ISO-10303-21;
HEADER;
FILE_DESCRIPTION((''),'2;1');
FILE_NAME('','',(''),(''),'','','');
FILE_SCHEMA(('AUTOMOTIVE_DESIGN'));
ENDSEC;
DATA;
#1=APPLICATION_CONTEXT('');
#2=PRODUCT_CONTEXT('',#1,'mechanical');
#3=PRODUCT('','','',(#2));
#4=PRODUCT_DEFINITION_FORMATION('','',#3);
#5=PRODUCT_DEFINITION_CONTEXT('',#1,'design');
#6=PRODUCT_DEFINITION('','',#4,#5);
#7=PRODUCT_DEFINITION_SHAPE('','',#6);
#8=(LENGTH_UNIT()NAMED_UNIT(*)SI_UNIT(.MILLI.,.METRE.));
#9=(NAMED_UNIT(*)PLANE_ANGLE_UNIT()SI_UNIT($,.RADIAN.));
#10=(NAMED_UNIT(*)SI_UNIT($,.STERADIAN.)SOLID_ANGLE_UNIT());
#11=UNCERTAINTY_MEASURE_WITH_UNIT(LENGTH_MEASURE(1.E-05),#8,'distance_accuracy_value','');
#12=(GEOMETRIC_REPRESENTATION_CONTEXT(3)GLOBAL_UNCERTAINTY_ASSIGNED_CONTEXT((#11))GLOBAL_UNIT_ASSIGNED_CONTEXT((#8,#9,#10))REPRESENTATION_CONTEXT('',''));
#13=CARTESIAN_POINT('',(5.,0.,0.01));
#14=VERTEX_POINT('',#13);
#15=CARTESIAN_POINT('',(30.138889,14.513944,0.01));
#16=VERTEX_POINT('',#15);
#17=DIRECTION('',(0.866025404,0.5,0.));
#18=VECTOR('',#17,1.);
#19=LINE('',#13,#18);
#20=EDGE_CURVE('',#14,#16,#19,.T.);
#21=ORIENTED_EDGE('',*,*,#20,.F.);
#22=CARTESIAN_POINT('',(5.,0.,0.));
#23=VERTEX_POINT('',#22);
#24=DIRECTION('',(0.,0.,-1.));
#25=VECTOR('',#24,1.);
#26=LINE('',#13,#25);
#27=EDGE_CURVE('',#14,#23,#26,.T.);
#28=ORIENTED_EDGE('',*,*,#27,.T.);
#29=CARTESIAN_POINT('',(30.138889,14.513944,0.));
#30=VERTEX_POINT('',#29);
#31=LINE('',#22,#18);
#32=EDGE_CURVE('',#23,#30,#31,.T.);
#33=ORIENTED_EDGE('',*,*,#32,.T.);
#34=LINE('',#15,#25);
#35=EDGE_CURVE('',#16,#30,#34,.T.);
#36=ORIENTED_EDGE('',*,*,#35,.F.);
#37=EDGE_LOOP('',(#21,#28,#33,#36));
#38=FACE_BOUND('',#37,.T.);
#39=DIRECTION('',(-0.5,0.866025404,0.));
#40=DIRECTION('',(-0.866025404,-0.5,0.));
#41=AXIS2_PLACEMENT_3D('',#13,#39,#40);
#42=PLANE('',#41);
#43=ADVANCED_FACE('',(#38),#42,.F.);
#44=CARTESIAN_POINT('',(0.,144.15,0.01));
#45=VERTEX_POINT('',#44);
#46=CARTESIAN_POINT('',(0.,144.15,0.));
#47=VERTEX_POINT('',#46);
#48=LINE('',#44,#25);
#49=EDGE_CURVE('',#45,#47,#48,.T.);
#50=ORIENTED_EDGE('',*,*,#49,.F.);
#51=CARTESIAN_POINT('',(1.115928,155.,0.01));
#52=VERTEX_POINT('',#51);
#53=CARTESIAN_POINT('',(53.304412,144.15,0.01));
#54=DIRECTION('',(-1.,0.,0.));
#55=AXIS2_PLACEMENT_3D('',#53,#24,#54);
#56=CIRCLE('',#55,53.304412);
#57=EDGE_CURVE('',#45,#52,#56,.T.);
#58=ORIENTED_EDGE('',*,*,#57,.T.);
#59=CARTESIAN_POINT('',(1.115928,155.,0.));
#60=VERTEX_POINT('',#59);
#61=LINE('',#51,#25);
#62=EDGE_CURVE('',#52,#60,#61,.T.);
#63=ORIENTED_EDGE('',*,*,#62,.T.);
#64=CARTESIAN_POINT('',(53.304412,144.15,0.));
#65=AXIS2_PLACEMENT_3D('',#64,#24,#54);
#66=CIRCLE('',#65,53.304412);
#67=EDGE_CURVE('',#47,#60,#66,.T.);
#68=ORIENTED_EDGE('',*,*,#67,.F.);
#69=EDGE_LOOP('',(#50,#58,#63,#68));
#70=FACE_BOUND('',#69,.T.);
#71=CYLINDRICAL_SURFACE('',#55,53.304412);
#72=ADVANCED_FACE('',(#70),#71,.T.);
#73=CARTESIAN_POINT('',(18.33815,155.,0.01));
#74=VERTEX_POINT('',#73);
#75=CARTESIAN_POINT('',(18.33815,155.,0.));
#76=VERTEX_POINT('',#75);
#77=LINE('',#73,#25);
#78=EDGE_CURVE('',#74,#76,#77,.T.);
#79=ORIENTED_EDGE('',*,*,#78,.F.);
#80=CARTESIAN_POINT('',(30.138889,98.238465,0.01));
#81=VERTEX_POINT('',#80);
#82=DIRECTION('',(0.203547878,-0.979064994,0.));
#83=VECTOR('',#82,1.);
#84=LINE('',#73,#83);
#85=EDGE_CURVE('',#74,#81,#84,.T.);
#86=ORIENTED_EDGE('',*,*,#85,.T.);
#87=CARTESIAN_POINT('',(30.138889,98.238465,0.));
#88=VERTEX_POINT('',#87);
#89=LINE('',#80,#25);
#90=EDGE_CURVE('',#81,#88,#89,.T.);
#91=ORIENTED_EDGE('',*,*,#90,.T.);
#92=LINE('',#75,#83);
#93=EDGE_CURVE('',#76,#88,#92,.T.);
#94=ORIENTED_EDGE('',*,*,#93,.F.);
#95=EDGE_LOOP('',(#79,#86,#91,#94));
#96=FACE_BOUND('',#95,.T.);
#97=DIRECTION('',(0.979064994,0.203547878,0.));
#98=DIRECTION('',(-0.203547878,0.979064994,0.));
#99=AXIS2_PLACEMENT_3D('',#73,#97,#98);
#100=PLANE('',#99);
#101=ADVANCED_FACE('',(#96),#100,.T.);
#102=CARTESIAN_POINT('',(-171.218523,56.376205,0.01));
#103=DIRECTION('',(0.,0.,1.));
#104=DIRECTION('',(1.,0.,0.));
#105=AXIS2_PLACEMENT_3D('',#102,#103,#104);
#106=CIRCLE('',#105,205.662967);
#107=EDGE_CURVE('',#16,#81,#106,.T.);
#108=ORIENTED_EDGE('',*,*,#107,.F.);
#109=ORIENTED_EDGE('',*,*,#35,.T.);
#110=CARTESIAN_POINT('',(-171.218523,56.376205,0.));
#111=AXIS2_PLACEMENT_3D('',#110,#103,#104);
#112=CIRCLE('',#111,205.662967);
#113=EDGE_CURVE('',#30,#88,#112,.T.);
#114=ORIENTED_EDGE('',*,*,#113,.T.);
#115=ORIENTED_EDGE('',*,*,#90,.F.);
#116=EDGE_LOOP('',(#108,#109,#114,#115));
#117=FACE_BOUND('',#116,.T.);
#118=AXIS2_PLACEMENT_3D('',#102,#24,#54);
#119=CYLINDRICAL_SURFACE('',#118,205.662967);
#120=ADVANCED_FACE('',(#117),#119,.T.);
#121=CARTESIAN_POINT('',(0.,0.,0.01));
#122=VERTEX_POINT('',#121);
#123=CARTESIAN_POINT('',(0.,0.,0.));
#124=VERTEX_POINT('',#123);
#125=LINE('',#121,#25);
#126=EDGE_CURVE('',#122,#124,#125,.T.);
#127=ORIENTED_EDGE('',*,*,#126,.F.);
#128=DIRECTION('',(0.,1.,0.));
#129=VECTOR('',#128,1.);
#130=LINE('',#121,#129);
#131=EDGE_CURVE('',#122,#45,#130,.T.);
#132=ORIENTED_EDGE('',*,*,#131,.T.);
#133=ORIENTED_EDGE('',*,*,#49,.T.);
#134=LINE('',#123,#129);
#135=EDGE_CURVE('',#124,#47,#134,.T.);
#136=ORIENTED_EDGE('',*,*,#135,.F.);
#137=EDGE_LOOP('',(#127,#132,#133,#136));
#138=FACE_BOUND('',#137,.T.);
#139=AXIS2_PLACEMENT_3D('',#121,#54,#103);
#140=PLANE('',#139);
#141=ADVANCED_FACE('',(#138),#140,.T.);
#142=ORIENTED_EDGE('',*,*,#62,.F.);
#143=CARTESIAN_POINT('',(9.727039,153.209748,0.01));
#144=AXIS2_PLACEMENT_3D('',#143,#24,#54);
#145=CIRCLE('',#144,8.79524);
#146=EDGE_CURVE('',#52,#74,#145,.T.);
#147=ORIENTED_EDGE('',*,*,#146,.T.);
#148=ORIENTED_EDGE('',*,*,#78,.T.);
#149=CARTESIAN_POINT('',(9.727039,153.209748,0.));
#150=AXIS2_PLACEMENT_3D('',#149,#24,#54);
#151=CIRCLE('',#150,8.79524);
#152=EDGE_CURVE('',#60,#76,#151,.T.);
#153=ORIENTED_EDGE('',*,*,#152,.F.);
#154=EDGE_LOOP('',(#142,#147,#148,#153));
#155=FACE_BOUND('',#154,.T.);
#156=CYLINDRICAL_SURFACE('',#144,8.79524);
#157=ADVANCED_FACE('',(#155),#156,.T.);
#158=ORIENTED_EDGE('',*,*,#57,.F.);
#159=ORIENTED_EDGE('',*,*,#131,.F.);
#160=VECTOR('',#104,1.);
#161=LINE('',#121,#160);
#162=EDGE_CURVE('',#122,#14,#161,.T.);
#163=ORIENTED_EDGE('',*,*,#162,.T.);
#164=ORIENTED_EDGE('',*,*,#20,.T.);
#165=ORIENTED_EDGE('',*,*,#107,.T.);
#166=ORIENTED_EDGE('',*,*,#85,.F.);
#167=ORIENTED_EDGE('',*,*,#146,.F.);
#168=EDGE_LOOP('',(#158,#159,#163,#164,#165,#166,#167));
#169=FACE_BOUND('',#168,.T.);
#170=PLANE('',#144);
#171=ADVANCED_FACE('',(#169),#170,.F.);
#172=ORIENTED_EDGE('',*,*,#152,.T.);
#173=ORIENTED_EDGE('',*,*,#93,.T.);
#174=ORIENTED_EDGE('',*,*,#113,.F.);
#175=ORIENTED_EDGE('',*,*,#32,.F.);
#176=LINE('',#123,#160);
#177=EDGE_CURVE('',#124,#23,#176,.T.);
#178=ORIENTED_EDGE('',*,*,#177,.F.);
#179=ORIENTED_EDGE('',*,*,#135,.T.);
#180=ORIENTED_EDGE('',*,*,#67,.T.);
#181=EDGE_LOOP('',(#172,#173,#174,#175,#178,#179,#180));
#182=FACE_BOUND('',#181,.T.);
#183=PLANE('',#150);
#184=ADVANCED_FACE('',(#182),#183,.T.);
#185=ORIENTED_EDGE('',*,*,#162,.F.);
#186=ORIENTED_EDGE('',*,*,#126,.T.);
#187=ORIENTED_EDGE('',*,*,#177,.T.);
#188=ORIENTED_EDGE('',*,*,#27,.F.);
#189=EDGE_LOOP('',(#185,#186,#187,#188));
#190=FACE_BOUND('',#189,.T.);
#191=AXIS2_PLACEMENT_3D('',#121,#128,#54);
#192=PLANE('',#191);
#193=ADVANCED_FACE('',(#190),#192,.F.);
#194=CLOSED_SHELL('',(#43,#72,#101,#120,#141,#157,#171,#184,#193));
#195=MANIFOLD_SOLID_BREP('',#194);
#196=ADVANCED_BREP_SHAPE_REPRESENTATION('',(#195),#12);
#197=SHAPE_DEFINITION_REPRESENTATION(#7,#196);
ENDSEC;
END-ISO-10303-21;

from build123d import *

# Parameters (mm, degrees)
BOSS_EXTRUDE1_DEPTH = 0.01


with BuildPart() as part:
    # Sketch1 → Boss-Extrude1 (new body)
    with BuildSketch(Plane(origin=(0, 0, 0), x_dir=(0, 1, 0), z_dir=(0, 0, 1))):
        with BuildLine():
            Line((0, 0), (144.15, 0))
            ThreePointArc((144.15, 0), (149.603617969, -0.279715962), (155, -1.115928218))
            ThreePointArc((155, -1.115928218), (162.004987173, -9.727039329), (155, -18.33815044))
            Line((155, -18.33815044), (98.238465305, -30.138888889))
            ThreePointArc((98.238465305, -30.138888889), (56.376204786, -34.444444444), (14.513944267, -30.138888889))
            Line((14.513944267, -30.138888889), (0, -5))
            Line((0, -5), (0, 0))
        make_face()
    extrude(amount=BOSS_EXTRUDE1_DEPTH)


solid = part.part
